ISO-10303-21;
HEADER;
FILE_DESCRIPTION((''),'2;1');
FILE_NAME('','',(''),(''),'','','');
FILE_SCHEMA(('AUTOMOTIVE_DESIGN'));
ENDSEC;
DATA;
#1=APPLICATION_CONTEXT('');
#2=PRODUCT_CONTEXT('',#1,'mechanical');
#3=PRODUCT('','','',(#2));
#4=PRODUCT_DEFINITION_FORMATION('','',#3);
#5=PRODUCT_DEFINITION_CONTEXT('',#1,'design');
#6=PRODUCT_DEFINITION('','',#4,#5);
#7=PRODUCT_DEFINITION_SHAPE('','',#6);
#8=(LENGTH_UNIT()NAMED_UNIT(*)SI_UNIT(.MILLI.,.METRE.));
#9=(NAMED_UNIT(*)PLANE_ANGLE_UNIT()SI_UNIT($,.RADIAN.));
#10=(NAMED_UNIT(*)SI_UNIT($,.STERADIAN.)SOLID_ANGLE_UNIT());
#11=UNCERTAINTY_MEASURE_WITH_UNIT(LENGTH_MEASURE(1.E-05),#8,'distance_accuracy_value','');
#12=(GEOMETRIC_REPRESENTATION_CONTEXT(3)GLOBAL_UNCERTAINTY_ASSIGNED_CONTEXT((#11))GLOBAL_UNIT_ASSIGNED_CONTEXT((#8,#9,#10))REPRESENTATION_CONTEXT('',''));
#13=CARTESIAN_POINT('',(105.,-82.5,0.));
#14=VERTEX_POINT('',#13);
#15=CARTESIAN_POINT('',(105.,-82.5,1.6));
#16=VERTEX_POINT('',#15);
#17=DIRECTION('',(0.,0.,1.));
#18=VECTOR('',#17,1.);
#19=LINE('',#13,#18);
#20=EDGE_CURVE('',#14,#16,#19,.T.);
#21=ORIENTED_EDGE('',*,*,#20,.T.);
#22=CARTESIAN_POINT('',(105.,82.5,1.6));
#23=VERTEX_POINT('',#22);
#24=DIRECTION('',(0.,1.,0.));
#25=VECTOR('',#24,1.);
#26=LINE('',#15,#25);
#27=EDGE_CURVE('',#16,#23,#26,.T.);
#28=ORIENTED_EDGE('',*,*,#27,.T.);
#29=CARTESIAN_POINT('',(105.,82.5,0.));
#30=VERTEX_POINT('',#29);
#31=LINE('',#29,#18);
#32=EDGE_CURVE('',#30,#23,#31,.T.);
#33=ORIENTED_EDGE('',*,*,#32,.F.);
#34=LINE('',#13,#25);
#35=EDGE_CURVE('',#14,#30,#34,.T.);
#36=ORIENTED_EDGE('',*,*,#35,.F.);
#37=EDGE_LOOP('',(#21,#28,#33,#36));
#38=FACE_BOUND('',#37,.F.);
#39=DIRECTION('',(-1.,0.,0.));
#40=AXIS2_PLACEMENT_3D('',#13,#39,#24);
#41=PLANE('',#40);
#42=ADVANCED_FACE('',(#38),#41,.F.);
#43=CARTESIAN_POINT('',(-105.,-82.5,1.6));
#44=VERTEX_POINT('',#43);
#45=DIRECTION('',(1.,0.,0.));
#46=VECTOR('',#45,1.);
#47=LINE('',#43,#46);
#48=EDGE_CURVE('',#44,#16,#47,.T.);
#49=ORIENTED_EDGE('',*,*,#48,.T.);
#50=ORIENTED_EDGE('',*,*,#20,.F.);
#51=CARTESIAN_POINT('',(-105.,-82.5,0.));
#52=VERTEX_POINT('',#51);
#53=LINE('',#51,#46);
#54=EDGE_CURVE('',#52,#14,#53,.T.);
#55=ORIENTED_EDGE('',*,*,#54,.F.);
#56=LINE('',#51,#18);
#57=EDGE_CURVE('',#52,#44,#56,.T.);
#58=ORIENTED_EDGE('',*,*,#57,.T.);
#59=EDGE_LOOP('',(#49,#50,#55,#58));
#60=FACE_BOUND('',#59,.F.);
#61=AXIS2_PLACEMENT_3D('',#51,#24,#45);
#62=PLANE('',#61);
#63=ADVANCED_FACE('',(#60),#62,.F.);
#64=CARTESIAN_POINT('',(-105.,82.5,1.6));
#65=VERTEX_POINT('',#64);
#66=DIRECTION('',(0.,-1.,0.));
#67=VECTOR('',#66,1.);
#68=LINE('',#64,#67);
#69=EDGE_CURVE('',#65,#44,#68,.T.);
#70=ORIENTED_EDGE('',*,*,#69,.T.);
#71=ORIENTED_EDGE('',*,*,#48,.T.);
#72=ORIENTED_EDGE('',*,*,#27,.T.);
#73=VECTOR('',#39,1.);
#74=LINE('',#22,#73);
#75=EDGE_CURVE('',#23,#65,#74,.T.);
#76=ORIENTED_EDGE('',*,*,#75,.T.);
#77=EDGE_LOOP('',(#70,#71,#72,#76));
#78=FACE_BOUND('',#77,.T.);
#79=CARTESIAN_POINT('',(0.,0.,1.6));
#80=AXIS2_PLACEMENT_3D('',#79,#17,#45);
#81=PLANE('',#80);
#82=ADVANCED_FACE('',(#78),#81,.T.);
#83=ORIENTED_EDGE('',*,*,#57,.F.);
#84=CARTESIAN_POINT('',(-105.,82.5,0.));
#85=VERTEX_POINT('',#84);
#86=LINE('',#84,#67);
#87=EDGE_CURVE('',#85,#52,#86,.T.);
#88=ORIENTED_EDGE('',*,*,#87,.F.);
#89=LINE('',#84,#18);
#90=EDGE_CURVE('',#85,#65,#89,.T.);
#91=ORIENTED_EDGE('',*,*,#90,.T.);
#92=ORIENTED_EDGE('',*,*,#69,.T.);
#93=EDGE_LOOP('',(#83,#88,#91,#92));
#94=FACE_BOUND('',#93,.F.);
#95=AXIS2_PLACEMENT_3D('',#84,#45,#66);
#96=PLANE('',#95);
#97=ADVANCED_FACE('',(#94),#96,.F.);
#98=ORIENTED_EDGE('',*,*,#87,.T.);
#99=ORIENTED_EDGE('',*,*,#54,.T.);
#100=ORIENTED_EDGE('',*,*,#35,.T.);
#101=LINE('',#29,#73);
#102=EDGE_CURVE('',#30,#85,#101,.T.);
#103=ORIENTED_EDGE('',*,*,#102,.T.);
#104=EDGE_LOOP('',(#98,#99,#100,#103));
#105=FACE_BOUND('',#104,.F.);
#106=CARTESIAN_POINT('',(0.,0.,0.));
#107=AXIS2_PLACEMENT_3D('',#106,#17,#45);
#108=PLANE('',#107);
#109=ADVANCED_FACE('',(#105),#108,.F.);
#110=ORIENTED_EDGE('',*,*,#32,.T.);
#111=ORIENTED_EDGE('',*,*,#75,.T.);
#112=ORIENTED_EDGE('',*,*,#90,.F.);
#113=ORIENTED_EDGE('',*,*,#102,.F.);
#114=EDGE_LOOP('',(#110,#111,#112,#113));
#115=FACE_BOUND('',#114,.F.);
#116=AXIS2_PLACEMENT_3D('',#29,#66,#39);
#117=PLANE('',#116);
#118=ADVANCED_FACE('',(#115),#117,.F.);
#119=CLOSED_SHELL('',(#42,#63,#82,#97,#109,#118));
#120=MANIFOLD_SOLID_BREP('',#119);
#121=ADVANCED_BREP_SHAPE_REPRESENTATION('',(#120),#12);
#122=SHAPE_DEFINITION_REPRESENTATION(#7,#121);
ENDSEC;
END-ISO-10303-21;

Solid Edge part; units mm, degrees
sketch "Sketch1" plane through (0, 0, 0) normal (0, 0, 1) x (1, 0, 0)
  line L0 (-105, -82.5) -> (105, -82.5)
  line L1 (105, -82.5) -> (105, 82.5)
  line L2 (105, 82.5) -> (-105, 82.5)
  line L3 (-105, 82.5) -> (-105, -82.5)
  dimension "D1" = 210
  dimension "D2" = 165
extrude "Protrusion1" add sketch "Sketch1" along normal blind 1.6
